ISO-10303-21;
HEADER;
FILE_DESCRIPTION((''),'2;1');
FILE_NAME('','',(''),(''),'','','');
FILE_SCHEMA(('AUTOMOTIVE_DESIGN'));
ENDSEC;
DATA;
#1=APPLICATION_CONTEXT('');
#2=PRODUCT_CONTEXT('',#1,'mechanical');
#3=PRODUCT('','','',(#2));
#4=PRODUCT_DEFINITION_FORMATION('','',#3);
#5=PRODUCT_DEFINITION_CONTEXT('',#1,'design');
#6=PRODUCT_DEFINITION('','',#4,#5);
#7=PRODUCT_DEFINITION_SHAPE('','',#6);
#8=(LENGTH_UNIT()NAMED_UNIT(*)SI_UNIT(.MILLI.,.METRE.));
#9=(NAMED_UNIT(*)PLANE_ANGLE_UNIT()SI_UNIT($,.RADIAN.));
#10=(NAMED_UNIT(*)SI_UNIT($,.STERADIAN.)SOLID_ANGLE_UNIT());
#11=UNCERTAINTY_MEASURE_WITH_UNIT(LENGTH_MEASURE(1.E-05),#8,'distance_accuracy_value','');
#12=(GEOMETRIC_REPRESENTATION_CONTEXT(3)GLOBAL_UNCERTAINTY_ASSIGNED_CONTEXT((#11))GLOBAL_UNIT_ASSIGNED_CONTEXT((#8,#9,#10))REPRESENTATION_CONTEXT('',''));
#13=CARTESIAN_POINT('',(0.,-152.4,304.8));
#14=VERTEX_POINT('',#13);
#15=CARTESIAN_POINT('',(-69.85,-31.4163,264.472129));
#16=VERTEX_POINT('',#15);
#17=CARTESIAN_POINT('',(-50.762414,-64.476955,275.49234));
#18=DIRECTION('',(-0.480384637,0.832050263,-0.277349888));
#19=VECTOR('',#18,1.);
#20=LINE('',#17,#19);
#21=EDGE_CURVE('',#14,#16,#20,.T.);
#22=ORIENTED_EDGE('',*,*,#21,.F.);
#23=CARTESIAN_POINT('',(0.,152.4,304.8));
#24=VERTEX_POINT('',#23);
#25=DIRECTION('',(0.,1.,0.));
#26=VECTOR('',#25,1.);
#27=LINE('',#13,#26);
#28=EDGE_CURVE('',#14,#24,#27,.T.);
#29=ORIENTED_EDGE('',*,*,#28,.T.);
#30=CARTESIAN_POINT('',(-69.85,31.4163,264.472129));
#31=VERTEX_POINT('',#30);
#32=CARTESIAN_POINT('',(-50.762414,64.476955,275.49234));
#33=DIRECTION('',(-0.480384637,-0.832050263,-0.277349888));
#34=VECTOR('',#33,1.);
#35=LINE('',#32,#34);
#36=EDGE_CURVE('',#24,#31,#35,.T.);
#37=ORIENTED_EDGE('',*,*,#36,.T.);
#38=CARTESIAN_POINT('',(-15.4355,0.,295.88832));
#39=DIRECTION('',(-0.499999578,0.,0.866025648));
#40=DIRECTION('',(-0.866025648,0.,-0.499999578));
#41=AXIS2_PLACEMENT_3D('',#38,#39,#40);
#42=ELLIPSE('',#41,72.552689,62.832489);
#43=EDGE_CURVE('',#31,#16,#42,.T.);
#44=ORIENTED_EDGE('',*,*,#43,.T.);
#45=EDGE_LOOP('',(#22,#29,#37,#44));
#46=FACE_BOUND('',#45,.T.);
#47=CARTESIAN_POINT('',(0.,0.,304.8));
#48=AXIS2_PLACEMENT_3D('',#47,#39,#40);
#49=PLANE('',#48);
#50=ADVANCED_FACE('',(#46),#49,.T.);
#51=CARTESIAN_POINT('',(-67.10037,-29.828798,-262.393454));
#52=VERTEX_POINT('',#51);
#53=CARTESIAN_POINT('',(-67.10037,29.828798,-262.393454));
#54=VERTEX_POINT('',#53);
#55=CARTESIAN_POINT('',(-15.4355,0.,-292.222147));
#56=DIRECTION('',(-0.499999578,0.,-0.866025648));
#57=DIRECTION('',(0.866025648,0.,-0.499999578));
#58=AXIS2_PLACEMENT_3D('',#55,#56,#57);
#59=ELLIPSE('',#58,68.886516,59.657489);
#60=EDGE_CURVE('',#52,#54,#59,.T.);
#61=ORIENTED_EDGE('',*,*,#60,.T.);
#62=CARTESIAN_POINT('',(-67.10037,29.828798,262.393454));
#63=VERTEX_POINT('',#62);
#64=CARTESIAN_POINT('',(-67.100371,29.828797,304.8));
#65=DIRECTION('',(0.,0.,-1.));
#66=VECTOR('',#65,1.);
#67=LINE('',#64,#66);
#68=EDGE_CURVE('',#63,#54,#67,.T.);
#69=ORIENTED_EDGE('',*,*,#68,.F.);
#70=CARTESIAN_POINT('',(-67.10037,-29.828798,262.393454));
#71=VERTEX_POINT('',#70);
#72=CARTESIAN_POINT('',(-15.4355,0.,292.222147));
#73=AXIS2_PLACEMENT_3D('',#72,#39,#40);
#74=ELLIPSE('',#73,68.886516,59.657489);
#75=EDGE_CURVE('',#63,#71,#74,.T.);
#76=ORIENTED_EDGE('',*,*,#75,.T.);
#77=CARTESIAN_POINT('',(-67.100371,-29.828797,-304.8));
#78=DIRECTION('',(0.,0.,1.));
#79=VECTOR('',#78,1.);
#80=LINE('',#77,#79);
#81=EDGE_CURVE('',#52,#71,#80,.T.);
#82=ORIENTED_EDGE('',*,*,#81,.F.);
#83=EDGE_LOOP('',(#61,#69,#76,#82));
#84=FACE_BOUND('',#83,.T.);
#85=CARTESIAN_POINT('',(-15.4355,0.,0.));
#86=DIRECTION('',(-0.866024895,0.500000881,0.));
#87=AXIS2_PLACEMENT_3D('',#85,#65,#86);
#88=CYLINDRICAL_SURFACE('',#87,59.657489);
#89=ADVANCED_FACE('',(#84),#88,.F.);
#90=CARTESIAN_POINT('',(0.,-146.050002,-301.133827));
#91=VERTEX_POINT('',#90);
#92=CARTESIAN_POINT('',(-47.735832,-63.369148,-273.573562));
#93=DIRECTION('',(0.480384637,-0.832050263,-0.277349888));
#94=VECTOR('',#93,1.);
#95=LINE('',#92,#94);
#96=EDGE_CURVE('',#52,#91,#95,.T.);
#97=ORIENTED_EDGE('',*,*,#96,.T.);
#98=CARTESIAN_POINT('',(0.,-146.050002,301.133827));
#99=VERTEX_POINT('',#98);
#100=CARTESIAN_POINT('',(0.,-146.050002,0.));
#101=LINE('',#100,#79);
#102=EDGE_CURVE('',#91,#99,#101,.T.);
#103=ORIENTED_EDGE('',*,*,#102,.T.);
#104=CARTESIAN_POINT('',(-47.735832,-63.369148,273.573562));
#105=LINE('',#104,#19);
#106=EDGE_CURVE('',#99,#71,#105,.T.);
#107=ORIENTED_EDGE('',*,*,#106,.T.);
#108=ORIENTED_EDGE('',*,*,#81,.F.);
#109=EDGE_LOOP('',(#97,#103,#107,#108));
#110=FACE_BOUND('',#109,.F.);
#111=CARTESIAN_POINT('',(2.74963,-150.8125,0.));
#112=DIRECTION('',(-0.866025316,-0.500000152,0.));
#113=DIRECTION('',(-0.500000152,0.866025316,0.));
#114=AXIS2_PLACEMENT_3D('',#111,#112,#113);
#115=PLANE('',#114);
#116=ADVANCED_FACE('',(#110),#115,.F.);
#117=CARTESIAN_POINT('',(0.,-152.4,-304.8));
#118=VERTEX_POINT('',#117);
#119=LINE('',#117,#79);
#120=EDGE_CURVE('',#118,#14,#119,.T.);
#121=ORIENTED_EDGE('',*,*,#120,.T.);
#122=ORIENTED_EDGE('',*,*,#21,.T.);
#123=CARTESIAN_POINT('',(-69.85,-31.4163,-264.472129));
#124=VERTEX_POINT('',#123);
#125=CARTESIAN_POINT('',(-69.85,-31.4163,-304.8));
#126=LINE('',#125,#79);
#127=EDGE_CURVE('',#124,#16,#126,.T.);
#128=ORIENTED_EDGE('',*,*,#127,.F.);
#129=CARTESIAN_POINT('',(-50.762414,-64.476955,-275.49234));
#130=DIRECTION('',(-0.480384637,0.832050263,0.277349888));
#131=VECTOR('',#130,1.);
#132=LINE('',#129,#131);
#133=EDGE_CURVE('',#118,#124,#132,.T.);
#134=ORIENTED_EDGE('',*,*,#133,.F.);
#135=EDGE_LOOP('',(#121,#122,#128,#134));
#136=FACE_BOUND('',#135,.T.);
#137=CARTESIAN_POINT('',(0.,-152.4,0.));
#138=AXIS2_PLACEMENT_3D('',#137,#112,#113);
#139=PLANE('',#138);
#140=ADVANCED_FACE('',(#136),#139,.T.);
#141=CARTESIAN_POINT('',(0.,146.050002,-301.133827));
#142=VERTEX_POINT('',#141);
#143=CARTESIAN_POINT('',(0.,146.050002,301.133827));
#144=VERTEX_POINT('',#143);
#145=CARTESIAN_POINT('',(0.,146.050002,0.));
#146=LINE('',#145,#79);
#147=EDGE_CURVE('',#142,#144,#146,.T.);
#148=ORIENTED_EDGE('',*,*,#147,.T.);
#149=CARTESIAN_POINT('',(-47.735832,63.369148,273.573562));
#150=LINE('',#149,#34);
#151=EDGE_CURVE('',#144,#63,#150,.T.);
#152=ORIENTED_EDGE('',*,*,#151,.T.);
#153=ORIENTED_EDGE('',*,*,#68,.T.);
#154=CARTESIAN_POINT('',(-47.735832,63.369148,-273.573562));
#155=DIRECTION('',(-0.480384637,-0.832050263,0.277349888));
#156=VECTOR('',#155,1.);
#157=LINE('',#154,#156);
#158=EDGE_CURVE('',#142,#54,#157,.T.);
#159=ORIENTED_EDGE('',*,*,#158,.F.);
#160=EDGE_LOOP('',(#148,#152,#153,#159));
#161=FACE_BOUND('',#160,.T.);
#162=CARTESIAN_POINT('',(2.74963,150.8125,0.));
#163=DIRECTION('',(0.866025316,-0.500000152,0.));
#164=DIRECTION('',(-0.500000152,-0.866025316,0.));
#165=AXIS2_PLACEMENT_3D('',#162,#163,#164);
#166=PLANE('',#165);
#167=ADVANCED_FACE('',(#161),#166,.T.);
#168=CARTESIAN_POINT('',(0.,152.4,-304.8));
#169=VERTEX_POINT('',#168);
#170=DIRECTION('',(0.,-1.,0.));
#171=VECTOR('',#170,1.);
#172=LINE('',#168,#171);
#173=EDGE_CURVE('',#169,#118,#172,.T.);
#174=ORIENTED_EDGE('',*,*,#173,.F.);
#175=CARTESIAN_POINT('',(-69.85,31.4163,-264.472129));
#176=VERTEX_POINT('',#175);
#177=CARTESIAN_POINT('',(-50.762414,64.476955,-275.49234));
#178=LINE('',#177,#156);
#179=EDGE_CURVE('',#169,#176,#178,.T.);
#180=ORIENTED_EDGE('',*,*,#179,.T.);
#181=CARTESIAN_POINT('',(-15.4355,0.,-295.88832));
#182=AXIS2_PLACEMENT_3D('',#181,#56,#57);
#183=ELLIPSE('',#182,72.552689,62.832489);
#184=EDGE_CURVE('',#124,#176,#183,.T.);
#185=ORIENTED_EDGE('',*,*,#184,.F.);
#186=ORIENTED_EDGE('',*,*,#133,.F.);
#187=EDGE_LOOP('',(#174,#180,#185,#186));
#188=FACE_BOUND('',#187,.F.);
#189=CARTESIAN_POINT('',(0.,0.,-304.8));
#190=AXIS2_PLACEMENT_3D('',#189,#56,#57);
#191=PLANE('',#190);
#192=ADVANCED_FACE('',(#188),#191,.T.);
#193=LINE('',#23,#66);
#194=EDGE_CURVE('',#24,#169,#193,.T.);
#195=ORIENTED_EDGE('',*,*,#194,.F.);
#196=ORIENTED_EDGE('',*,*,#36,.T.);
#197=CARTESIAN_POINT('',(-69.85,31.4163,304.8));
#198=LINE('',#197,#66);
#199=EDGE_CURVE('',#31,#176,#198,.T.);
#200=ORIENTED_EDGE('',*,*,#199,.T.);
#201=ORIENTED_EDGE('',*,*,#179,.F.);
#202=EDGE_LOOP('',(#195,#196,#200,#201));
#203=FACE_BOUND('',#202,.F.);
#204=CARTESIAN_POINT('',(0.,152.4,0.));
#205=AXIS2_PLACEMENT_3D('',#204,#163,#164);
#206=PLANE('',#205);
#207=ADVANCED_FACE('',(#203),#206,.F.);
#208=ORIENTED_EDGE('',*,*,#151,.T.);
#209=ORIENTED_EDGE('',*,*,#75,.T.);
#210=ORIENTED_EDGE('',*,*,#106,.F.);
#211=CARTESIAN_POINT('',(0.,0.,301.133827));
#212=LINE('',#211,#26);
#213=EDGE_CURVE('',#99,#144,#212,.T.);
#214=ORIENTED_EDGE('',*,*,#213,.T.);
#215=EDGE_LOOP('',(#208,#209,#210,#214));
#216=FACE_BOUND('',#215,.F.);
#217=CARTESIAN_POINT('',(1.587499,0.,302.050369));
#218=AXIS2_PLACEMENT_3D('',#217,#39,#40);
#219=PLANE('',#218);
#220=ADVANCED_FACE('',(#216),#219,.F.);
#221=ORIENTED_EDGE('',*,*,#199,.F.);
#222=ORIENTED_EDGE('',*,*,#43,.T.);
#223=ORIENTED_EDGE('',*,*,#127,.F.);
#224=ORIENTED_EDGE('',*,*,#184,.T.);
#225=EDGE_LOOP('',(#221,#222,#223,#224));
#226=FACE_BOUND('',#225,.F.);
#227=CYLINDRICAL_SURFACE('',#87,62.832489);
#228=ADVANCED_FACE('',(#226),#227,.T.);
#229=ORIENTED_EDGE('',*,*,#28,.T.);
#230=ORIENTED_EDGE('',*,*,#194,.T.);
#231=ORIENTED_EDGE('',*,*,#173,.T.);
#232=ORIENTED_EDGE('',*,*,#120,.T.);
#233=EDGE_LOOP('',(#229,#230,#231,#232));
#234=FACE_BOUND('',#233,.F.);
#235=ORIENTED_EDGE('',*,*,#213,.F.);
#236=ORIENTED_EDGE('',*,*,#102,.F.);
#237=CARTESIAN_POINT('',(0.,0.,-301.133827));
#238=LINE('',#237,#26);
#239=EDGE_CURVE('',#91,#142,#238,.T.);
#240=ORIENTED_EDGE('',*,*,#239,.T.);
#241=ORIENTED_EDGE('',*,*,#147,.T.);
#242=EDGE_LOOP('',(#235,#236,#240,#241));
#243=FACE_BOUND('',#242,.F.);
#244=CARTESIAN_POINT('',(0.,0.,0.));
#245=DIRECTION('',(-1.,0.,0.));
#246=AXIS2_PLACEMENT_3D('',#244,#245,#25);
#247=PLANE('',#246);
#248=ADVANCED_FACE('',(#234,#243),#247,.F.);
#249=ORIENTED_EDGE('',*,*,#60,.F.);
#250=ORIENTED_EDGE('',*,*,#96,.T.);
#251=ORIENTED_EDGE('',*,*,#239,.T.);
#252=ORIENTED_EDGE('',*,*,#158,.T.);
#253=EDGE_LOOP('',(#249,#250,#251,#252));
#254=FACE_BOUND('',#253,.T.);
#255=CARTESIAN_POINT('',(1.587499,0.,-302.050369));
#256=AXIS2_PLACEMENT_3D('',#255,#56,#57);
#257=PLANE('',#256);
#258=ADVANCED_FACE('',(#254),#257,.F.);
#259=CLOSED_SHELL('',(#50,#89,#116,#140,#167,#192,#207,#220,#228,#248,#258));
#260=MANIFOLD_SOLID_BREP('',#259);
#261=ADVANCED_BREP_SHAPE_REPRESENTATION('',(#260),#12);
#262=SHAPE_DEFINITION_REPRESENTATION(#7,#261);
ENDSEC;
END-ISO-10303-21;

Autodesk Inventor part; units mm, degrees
ref_plane "YZ Plane" through (0, 0, 0) normal (1, 0, 0) x (0, 1, 0)
ref_plane "XZ Plane" through (0, 0, 0) normal (0, 1, 0) x (-1, 0, 0)
ref_plane "XY Plane" through (0, 0, 0) normal (0, 0, 1) x (1, 0, 0)
sketch "Sketch1" plane through (0, 0, 0) normal (0, 0, 1) x (1, 0, 0)
  line L0 (-93.9216, 0) -> (15.6536, 0) projected
  line L1 (0, -306.9874) -> (0, 252.5784) projected
  line L2 (0, 152.4) -> (0, -152.4)
  line L3 (0, 152.4) -> (-69.85, 31.4163)
  line L4 (0, -152.4) -> (-69.85, -31.4163)
  arc A0 (-69.85, 31.4163) -> (-69.85, -31.4163) centre (-15.4355, 0) ccw
  line L5 (-78.268, 172.6404) -> (-78.268, -227.0494) construction
  point P0 (0, 0)
  point P1 (0, 0)
  dimension "d0" = 304.8
  dimension "d13" = 30
  dimension "d14" = 139.7
extrude "Extrusion1" add sketch "Sketch1" along normal mid plane 609.6
sketch "Sketch3" plane through (0, 0, 0) normal (0, 1, 0) x (-1, 0, 0)
  line L0 (69.85, 304.8) -> (0, 304.8) projected
  line L1 (0, -304.8) -> (0, 304.8) projected
  line L2 (69.85, 304.8) -> (69.85, 304.8) projected
  line L3 (69.85, -304.8) -> (69.85, 304.8) projected
  line L4 (69.85, -304.8) -> (69.85, -304.8) projected
  line L5 (69.85, -304.8) -> (69.85, 304.8) projected
  line L6 (78.268, -304.8) -> (78.268, 304.8) projected
  line L7 (69.85, 304.8) -> (78.268, 304.8) projected
  line L8 (0, 304.8) -> (78.268, 259.612)
  point P0 (0, 0)
  dimension "d8" = 30
extrude "Extrusion3" cut sketch "Sketch3" along normal through all both and the other way through all
mirror "Mirror1" about plane through (0, 0, 0) normal (0, 0, 1) of "Extrusion3"
shell "Shell1" thickness 3.175 removed faces 1 at (0, -50.8, -101.6)
properties part number "front bumper"
